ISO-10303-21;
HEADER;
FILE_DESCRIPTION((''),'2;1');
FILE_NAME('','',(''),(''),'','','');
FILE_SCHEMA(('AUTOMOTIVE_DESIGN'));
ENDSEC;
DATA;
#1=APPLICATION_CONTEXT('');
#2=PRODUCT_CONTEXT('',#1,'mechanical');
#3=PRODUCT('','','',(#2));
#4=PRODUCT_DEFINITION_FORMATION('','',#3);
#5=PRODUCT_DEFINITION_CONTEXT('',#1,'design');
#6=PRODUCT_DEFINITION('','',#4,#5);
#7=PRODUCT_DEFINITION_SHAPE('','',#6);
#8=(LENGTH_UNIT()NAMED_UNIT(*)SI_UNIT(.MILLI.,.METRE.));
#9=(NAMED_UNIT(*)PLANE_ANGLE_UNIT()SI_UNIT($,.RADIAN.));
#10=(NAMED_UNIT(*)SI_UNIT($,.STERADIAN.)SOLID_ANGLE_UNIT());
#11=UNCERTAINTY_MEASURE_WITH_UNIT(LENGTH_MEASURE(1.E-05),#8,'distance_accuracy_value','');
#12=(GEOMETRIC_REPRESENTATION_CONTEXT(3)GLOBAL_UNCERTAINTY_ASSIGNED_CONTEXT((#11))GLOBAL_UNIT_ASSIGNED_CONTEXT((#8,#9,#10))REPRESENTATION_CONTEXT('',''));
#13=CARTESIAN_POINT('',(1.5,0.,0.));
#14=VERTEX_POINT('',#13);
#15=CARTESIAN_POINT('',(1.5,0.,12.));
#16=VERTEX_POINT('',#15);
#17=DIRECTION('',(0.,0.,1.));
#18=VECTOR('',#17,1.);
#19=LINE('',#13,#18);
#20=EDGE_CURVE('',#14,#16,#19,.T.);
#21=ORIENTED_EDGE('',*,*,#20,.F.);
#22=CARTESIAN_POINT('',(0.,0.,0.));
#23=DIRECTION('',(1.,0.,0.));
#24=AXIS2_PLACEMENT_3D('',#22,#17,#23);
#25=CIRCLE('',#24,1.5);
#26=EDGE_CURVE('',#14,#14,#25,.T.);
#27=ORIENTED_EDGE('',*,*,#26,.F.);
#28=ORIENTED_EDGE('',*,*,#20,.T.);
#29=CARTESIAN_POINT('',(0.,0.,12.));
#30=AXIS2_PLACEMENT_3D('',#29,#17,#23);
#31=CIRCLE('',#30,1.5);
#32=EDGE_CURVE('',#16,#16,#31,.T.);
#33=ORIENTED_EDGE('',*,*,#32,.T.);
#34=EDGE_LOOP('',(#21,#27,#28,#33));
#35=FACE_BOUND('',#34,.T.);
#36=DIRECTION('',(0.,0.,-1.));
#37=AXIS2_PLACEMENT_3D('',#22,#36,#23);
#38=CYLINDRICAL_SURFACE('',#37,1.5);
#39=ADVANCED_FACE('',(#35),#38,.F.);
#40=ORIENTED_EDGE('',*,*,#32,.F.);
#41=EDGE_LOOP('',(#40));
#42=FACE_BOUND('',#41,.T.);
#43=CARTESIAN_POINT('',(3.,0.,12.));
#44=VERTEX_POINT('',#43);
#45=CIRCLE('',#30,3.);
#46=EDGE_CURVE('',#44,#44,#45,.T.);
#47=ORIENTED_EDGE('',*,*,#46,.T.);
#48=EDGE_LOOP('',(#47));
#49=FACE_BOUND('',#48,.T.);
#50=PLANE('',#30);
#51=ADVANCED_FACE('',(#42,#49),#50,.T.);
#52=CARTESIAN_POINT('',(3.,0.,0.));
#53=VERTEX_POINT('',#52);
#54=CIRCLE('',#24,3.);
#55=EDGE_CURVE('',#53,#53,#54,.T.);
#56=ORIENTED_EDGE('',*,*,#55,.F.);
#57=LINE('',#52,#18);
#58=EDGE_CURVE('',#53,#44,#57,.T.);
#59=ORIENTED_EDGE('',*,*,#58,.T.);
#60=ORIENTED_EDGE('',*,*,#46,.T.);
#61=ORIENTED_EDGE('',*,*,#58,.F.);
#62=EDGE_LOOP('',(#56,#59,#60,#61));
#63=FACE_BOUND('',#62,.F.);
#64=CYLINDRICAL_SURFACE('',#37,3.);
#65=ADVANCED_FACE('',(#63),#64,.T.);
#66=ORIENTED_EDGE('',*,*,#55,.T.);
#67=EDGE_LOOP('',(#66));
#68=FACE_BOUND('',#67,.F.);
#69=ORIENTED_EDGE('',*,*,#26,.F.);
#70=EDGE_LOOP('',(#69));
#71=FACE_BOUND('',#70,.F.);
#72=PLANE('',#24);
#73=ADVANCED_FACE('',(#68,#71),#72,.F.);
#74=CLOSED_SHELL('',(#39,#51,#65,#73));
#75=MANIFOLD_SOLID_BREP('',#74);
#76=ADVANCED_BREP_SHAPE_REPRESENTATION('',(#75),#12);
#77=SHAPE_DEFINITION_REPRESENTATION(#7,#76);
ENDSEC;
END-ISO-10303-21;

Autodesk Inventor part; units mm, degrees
ref_plane "YZ Plane" through (0, 0, 0) normal (1, 0, 0) x (0, 1, 0)
ref_plane "XZ Plane" through (0, 0, 0) normal (0, 1, 0) x (-1, 0, 0)
ref_plane "XY Plane" through (0, 0, 0) normal (0, 0, 1) x (1, 0, 0)
sketch "スケッチ1" plane through (0, 0, 0) normal (0, 0, 1) x (1, 0, 0)
  circle A0 centre (0, 0) radius 3
  circle A1 centre (0, 0) radius 1.5
  dimension "d0" = 6
  dimension "d1" = 3
extrude "押し出し1" add sketch "スケッチ1" along normal blind 12
properties part number "スペーサーm3-12　簡易筒型" material "アルミニウム 2014-T4"
